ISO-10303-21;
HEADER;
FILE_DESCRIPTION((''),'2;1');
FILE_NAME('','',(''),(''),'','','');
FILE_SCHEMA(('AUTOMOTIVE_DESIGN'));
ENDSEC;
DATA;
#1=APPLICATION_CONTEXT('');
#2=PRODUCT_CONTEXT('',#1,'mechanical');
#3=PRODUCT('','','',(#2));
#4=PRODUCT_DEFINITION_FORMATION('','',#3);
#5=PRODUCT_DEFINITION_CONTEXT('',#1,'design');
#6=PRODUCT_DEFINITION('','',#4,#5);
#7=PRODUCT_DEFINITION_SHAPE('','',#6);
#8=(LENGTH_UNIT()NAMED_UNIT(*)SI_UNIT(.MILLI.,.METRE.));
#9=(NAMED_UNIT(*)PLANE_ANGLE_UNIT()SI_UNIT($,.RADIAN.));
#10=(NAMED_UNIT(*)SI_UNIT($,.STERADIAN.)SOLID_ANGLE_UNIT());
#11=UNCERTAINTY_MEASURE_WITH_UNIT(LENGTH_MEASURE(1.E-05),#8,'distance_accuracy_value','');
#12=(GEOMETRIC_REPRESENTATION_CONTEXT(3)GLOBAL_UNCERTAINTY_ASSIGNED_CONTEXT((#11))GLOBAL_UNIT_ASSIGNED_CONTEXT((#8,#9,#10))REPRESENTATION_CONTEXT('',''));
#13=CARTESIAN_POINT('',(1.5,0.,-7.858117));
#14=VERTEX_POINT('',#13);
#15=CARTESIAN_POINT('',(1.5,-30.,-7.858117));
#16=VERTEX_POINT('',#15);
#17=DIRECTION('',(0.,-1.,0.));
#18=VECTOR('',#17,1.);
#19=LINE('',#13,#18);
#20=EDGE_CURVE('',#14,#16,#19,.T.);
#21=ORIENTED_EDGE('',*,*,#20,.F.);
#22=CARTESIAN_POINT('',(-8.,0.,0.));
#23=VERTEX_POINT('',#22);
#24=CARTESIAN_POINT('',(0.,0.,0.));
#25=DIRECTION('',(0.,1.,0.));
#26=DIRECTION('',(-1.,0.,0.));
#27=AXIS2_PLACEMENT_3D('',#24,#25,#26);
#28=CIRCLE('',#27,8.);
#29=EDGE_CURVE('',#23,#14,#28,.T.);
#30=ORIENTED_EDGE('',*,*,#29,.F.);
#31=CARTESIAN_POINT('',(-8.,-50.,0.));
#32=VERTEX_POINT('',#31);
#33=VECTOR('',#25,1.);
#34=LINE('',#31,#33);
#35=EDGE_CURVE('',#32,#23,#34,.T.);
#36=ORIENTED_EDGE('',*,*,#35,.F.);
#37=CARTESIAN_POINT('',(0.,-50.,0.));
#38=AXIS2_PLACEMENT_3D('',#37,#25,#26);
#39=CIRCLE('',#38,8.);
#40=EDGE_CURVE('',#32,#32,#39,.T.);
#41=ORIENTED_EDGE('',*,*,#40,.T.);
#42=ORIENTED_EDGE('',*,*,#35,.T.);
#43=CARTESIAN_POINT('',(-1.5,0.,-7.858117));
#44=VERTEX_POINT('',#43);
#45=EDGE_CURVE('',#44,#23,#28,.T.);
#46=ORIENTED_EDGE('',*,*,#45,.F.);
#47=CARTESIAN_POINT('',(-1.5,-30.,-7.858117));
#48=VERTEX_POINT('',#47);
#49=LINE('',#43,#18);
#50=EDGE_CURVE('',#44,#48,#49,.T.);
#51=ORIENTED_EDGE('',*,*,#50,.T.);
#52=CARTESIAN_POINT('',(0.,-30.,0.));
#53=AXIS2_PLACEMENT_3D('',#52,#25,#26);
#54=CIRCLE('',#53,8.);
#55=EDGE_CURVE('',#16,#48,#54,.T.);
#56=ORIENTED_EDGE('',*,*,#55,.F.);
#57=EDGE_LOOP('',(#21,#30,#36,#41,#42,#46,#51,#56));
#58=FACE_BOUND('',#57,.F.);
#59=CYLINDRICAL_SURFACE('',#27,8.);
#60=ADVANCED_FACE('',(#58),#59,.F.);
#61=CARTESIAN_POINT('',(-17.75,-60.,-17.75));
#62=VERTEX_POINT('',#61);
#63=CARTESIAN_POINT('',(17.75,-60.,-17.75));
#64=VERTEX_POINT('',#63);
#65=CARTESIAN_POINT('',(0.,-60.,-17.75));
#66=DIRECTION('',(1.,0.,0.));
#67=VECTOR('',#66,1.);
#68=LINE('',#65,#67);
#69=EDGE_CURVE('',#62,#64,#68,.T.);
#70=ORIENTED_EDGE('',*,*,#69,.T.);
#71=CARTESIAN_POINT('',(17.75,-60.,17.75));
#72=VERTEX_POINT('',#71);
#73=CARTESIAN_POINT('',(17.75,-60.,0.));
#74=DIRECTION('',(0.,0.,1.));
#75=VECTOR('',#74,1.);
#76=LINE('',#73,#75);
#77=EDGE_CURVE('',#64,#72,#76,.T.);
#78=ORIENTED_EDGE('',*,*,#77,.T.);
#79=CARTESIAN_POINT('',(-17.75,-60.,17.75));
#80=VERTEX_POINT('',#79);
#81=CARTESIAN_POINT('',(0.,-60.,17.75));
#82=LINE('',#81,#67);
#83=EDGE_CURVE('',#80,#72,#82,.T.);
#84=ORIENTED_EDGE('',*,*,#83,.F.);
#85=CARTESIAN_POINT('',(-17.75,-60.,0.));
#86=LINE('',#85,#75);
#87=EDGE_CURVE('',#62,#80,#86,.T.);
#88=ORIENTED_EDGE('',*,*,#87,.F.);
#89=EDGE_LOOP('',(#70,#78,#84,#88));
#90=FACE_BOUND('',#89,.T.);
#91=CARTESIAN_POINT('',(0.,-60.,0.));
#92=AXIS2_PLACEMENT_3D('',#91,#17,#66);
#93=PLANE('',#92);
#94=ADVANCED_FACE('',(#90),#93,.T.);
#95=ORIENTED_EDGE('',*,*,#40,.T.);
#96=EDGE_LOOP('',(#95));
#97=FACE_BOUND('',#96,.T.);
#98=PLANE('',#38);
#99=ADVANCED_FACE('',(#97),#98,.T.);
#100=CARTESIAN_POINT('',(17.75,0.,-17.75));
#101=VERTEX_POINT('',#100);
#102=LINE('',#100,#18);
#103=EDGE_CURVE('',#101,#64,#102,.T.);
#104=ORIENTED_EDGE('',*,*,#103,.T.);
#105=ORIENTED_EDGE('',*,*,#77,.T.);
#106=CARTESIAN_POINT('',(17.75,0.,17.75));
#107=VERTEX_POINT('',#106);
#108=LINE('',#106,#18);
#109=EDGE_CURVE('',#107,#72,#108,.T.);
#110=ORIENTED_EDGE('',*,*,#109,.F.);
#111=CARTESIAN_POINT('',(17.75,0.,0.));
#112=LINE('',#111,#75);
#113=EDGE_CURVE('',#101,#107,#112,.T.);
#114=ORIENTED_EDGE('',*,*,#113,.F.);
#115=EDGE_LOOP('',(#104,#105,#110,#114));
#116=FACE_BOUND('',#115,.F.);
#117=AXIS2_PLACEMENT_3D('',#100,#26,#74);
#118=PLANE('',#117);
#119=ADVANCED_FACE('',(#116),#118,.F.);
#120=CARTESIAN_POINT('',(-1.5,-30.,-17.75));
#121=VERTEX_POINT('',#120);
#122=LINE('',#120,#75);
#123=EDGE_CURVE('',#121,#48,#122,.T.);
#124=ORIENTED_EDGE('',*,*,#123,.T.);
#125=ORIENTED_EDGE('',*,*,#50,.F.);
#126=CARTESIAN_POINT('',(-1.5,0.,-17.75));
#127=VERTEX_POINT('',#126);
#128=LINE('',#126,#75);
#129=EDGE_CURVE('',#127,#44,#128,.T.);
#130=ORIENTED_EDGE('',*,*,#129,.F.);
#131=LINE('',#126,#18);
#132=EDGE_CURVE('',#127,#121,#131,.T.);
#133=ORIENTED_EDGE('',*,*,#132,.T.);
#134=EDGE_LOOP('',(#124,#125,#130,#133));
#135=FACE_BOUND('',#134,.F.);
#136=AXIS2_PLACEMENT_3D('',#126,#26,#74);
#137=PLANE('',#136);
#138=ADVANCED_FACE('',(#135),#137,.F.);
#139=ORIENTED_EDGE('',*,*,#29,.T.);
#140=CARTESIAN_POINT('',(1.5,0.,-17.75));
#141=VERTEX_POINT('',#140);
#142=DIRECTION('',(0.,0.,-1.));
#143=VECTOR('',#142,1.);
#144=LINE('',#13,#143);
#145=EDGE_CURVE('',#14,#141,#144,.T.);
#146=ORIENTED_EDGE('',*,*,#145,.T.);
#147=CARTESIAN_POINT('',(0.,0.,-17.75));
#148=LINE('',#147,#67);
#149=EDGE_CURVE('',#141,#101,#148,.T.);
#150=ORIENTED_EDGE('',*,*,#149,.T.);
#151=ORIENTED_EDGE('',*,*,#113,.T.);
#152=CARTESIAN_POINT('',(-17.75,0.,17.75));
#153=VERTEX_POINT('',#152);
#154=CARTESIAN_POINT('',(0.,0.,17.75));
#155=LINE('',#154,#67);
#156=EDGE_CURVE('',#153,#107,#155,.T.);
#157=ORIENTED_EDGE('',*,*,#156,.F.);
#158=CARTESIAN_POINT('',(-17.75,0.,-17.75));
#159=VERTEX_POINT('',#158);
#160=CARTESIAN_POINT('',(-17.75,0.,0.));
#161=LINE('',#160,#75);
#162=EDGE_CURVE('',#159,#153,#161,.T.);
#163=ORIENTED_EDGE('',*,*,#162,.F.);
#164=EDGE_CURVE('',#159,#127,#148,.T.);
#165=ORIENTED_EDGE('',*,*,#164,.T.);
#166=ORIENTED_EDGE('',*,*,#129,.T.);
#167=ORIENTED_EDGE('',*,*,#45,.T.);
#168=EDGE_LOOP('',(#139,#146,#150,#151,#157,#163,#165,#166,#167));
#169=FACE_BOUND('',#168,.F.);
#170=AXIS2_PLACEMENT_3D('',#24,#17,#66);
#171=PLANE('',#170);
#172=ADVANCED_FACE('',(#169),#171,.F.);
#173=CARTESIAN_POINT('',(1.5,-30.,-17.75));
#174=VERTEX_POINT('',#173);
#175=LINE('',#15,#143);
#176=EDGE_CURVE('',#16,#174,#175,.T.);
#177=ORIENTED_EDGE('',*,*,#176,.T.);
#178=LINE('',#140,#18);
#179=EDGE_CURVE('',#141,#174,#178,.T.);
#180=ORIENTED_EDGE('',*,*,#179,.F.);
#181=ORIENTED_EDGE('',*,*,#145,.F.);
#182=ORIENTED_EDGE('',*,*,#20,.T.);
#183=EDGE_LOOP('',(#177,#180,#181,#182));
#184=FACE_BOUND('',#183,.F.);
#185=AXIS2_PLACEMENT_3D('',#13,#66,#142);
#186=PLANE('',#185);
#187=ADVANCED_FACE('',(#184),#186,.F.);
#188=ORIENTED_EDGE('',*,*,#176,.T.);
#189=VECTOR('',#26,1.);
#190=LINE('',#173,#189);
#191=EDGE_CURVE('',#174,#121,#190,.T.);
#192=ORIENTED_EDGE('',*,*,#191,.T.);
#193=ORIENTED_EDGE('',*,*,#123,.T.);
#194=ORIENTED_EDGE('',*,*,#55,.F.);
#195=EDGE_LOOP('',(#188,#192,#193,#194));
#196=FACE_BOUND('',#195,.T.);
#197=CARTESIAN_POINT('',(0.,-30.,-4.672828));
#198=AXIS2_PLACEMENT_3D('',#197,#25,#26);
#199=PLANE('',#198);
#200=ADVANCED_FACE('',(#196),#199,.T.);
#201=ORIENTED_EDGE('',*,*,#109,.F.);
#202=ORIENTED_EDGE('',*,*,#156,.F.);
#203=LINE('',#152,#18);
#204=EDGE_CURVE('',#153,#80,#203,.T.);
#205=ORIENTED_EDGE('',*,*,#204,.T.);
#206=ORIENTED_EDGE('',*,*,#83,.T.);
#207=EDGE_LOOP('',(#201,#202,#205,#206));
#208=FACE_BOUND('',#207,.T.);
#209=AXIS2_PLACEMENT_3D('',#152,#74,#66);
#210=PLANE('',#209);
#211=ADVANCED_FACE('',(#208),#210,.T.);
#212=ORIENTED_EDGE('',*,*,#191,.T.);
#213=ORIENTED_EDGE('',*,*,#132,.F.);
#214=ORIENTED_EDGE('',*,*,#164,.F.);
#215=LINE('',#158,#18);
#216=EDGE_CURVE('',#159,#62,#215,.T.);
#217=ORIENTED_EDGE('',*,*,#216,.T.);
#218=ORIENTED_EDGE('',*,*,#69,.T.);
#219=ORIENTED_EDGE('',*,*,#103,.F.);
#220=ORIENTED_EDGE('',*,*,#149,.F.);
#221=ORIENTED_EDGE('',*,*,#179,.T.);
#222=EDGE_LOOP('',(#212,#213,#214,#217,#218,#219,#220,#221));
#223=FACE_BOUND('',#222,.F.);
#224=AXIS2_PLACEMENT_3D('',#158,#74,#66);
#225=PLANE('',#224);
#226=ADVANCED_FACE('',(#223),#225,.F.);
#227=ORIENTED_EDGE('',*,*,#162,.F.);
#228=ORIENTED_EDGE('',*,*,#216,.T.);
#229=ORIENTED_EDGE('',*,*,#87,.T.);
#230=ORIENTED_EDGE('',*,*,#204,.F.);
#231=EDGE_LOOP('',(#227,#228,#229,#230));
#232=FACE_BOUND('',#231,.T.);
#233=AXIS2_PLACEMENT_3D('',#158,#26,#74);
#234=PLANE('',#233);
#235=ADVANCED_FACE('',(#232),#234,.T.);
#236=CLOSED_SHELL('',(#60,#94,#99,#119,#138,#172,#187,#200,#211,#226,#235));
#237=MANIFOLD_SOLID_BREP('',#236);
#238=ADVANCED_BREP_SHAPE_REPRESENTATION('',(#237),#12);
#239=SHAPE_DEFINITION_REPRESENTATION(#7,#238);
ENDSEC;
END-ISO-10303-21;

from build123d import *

# Parameters (mm, degrees)
F0_W     = 35.5
F0_H     = 35.5
F1_DEPTH = 60
F2_R     = 8
F3_DEPTH = 50
F5_DEPTH = 30


with BuildPart() as f1:
    # F0 (on Front) → F1 (new body)
    with BuildSketch(Plane.XZ):
        Rectangle(F0_W, F0_H)
    extrude(amount=F1_DEPTH)

    # F2 (on face) → F3 (cut)
    with BuildSketch(Plane(origin=(0, 0, 0), x_dir=(-1, 0, 0), z_dir=(0, 1, 0))):
        Circle(F2_R)
    extrude(amount=-F3_DEPTH, mode=Mode.SUBTRACT)

    # F4 (on face) → F5 (cut)
    with BuildSketch(Plane(origin=(0, 0, 0), x_dir=(-1, 0, 0), z_dir=(0, 1, 0))):
        with BuildLine():
            ThreePointArc((1.5, -7.858117), (0, 8), (-1.5, -7.858117))
            Line((-1.5, -7.858117), (-1.5, -17.75))
            Line((-1.5, -17.75), (1.5, -17.75))
            Line((1.5, -17.75), (1.5, -7.858117))
        make_face()
    extrude(amount=-F5_DEPTH, mode=Mode.SUBTRACT)


solid = f1.part
